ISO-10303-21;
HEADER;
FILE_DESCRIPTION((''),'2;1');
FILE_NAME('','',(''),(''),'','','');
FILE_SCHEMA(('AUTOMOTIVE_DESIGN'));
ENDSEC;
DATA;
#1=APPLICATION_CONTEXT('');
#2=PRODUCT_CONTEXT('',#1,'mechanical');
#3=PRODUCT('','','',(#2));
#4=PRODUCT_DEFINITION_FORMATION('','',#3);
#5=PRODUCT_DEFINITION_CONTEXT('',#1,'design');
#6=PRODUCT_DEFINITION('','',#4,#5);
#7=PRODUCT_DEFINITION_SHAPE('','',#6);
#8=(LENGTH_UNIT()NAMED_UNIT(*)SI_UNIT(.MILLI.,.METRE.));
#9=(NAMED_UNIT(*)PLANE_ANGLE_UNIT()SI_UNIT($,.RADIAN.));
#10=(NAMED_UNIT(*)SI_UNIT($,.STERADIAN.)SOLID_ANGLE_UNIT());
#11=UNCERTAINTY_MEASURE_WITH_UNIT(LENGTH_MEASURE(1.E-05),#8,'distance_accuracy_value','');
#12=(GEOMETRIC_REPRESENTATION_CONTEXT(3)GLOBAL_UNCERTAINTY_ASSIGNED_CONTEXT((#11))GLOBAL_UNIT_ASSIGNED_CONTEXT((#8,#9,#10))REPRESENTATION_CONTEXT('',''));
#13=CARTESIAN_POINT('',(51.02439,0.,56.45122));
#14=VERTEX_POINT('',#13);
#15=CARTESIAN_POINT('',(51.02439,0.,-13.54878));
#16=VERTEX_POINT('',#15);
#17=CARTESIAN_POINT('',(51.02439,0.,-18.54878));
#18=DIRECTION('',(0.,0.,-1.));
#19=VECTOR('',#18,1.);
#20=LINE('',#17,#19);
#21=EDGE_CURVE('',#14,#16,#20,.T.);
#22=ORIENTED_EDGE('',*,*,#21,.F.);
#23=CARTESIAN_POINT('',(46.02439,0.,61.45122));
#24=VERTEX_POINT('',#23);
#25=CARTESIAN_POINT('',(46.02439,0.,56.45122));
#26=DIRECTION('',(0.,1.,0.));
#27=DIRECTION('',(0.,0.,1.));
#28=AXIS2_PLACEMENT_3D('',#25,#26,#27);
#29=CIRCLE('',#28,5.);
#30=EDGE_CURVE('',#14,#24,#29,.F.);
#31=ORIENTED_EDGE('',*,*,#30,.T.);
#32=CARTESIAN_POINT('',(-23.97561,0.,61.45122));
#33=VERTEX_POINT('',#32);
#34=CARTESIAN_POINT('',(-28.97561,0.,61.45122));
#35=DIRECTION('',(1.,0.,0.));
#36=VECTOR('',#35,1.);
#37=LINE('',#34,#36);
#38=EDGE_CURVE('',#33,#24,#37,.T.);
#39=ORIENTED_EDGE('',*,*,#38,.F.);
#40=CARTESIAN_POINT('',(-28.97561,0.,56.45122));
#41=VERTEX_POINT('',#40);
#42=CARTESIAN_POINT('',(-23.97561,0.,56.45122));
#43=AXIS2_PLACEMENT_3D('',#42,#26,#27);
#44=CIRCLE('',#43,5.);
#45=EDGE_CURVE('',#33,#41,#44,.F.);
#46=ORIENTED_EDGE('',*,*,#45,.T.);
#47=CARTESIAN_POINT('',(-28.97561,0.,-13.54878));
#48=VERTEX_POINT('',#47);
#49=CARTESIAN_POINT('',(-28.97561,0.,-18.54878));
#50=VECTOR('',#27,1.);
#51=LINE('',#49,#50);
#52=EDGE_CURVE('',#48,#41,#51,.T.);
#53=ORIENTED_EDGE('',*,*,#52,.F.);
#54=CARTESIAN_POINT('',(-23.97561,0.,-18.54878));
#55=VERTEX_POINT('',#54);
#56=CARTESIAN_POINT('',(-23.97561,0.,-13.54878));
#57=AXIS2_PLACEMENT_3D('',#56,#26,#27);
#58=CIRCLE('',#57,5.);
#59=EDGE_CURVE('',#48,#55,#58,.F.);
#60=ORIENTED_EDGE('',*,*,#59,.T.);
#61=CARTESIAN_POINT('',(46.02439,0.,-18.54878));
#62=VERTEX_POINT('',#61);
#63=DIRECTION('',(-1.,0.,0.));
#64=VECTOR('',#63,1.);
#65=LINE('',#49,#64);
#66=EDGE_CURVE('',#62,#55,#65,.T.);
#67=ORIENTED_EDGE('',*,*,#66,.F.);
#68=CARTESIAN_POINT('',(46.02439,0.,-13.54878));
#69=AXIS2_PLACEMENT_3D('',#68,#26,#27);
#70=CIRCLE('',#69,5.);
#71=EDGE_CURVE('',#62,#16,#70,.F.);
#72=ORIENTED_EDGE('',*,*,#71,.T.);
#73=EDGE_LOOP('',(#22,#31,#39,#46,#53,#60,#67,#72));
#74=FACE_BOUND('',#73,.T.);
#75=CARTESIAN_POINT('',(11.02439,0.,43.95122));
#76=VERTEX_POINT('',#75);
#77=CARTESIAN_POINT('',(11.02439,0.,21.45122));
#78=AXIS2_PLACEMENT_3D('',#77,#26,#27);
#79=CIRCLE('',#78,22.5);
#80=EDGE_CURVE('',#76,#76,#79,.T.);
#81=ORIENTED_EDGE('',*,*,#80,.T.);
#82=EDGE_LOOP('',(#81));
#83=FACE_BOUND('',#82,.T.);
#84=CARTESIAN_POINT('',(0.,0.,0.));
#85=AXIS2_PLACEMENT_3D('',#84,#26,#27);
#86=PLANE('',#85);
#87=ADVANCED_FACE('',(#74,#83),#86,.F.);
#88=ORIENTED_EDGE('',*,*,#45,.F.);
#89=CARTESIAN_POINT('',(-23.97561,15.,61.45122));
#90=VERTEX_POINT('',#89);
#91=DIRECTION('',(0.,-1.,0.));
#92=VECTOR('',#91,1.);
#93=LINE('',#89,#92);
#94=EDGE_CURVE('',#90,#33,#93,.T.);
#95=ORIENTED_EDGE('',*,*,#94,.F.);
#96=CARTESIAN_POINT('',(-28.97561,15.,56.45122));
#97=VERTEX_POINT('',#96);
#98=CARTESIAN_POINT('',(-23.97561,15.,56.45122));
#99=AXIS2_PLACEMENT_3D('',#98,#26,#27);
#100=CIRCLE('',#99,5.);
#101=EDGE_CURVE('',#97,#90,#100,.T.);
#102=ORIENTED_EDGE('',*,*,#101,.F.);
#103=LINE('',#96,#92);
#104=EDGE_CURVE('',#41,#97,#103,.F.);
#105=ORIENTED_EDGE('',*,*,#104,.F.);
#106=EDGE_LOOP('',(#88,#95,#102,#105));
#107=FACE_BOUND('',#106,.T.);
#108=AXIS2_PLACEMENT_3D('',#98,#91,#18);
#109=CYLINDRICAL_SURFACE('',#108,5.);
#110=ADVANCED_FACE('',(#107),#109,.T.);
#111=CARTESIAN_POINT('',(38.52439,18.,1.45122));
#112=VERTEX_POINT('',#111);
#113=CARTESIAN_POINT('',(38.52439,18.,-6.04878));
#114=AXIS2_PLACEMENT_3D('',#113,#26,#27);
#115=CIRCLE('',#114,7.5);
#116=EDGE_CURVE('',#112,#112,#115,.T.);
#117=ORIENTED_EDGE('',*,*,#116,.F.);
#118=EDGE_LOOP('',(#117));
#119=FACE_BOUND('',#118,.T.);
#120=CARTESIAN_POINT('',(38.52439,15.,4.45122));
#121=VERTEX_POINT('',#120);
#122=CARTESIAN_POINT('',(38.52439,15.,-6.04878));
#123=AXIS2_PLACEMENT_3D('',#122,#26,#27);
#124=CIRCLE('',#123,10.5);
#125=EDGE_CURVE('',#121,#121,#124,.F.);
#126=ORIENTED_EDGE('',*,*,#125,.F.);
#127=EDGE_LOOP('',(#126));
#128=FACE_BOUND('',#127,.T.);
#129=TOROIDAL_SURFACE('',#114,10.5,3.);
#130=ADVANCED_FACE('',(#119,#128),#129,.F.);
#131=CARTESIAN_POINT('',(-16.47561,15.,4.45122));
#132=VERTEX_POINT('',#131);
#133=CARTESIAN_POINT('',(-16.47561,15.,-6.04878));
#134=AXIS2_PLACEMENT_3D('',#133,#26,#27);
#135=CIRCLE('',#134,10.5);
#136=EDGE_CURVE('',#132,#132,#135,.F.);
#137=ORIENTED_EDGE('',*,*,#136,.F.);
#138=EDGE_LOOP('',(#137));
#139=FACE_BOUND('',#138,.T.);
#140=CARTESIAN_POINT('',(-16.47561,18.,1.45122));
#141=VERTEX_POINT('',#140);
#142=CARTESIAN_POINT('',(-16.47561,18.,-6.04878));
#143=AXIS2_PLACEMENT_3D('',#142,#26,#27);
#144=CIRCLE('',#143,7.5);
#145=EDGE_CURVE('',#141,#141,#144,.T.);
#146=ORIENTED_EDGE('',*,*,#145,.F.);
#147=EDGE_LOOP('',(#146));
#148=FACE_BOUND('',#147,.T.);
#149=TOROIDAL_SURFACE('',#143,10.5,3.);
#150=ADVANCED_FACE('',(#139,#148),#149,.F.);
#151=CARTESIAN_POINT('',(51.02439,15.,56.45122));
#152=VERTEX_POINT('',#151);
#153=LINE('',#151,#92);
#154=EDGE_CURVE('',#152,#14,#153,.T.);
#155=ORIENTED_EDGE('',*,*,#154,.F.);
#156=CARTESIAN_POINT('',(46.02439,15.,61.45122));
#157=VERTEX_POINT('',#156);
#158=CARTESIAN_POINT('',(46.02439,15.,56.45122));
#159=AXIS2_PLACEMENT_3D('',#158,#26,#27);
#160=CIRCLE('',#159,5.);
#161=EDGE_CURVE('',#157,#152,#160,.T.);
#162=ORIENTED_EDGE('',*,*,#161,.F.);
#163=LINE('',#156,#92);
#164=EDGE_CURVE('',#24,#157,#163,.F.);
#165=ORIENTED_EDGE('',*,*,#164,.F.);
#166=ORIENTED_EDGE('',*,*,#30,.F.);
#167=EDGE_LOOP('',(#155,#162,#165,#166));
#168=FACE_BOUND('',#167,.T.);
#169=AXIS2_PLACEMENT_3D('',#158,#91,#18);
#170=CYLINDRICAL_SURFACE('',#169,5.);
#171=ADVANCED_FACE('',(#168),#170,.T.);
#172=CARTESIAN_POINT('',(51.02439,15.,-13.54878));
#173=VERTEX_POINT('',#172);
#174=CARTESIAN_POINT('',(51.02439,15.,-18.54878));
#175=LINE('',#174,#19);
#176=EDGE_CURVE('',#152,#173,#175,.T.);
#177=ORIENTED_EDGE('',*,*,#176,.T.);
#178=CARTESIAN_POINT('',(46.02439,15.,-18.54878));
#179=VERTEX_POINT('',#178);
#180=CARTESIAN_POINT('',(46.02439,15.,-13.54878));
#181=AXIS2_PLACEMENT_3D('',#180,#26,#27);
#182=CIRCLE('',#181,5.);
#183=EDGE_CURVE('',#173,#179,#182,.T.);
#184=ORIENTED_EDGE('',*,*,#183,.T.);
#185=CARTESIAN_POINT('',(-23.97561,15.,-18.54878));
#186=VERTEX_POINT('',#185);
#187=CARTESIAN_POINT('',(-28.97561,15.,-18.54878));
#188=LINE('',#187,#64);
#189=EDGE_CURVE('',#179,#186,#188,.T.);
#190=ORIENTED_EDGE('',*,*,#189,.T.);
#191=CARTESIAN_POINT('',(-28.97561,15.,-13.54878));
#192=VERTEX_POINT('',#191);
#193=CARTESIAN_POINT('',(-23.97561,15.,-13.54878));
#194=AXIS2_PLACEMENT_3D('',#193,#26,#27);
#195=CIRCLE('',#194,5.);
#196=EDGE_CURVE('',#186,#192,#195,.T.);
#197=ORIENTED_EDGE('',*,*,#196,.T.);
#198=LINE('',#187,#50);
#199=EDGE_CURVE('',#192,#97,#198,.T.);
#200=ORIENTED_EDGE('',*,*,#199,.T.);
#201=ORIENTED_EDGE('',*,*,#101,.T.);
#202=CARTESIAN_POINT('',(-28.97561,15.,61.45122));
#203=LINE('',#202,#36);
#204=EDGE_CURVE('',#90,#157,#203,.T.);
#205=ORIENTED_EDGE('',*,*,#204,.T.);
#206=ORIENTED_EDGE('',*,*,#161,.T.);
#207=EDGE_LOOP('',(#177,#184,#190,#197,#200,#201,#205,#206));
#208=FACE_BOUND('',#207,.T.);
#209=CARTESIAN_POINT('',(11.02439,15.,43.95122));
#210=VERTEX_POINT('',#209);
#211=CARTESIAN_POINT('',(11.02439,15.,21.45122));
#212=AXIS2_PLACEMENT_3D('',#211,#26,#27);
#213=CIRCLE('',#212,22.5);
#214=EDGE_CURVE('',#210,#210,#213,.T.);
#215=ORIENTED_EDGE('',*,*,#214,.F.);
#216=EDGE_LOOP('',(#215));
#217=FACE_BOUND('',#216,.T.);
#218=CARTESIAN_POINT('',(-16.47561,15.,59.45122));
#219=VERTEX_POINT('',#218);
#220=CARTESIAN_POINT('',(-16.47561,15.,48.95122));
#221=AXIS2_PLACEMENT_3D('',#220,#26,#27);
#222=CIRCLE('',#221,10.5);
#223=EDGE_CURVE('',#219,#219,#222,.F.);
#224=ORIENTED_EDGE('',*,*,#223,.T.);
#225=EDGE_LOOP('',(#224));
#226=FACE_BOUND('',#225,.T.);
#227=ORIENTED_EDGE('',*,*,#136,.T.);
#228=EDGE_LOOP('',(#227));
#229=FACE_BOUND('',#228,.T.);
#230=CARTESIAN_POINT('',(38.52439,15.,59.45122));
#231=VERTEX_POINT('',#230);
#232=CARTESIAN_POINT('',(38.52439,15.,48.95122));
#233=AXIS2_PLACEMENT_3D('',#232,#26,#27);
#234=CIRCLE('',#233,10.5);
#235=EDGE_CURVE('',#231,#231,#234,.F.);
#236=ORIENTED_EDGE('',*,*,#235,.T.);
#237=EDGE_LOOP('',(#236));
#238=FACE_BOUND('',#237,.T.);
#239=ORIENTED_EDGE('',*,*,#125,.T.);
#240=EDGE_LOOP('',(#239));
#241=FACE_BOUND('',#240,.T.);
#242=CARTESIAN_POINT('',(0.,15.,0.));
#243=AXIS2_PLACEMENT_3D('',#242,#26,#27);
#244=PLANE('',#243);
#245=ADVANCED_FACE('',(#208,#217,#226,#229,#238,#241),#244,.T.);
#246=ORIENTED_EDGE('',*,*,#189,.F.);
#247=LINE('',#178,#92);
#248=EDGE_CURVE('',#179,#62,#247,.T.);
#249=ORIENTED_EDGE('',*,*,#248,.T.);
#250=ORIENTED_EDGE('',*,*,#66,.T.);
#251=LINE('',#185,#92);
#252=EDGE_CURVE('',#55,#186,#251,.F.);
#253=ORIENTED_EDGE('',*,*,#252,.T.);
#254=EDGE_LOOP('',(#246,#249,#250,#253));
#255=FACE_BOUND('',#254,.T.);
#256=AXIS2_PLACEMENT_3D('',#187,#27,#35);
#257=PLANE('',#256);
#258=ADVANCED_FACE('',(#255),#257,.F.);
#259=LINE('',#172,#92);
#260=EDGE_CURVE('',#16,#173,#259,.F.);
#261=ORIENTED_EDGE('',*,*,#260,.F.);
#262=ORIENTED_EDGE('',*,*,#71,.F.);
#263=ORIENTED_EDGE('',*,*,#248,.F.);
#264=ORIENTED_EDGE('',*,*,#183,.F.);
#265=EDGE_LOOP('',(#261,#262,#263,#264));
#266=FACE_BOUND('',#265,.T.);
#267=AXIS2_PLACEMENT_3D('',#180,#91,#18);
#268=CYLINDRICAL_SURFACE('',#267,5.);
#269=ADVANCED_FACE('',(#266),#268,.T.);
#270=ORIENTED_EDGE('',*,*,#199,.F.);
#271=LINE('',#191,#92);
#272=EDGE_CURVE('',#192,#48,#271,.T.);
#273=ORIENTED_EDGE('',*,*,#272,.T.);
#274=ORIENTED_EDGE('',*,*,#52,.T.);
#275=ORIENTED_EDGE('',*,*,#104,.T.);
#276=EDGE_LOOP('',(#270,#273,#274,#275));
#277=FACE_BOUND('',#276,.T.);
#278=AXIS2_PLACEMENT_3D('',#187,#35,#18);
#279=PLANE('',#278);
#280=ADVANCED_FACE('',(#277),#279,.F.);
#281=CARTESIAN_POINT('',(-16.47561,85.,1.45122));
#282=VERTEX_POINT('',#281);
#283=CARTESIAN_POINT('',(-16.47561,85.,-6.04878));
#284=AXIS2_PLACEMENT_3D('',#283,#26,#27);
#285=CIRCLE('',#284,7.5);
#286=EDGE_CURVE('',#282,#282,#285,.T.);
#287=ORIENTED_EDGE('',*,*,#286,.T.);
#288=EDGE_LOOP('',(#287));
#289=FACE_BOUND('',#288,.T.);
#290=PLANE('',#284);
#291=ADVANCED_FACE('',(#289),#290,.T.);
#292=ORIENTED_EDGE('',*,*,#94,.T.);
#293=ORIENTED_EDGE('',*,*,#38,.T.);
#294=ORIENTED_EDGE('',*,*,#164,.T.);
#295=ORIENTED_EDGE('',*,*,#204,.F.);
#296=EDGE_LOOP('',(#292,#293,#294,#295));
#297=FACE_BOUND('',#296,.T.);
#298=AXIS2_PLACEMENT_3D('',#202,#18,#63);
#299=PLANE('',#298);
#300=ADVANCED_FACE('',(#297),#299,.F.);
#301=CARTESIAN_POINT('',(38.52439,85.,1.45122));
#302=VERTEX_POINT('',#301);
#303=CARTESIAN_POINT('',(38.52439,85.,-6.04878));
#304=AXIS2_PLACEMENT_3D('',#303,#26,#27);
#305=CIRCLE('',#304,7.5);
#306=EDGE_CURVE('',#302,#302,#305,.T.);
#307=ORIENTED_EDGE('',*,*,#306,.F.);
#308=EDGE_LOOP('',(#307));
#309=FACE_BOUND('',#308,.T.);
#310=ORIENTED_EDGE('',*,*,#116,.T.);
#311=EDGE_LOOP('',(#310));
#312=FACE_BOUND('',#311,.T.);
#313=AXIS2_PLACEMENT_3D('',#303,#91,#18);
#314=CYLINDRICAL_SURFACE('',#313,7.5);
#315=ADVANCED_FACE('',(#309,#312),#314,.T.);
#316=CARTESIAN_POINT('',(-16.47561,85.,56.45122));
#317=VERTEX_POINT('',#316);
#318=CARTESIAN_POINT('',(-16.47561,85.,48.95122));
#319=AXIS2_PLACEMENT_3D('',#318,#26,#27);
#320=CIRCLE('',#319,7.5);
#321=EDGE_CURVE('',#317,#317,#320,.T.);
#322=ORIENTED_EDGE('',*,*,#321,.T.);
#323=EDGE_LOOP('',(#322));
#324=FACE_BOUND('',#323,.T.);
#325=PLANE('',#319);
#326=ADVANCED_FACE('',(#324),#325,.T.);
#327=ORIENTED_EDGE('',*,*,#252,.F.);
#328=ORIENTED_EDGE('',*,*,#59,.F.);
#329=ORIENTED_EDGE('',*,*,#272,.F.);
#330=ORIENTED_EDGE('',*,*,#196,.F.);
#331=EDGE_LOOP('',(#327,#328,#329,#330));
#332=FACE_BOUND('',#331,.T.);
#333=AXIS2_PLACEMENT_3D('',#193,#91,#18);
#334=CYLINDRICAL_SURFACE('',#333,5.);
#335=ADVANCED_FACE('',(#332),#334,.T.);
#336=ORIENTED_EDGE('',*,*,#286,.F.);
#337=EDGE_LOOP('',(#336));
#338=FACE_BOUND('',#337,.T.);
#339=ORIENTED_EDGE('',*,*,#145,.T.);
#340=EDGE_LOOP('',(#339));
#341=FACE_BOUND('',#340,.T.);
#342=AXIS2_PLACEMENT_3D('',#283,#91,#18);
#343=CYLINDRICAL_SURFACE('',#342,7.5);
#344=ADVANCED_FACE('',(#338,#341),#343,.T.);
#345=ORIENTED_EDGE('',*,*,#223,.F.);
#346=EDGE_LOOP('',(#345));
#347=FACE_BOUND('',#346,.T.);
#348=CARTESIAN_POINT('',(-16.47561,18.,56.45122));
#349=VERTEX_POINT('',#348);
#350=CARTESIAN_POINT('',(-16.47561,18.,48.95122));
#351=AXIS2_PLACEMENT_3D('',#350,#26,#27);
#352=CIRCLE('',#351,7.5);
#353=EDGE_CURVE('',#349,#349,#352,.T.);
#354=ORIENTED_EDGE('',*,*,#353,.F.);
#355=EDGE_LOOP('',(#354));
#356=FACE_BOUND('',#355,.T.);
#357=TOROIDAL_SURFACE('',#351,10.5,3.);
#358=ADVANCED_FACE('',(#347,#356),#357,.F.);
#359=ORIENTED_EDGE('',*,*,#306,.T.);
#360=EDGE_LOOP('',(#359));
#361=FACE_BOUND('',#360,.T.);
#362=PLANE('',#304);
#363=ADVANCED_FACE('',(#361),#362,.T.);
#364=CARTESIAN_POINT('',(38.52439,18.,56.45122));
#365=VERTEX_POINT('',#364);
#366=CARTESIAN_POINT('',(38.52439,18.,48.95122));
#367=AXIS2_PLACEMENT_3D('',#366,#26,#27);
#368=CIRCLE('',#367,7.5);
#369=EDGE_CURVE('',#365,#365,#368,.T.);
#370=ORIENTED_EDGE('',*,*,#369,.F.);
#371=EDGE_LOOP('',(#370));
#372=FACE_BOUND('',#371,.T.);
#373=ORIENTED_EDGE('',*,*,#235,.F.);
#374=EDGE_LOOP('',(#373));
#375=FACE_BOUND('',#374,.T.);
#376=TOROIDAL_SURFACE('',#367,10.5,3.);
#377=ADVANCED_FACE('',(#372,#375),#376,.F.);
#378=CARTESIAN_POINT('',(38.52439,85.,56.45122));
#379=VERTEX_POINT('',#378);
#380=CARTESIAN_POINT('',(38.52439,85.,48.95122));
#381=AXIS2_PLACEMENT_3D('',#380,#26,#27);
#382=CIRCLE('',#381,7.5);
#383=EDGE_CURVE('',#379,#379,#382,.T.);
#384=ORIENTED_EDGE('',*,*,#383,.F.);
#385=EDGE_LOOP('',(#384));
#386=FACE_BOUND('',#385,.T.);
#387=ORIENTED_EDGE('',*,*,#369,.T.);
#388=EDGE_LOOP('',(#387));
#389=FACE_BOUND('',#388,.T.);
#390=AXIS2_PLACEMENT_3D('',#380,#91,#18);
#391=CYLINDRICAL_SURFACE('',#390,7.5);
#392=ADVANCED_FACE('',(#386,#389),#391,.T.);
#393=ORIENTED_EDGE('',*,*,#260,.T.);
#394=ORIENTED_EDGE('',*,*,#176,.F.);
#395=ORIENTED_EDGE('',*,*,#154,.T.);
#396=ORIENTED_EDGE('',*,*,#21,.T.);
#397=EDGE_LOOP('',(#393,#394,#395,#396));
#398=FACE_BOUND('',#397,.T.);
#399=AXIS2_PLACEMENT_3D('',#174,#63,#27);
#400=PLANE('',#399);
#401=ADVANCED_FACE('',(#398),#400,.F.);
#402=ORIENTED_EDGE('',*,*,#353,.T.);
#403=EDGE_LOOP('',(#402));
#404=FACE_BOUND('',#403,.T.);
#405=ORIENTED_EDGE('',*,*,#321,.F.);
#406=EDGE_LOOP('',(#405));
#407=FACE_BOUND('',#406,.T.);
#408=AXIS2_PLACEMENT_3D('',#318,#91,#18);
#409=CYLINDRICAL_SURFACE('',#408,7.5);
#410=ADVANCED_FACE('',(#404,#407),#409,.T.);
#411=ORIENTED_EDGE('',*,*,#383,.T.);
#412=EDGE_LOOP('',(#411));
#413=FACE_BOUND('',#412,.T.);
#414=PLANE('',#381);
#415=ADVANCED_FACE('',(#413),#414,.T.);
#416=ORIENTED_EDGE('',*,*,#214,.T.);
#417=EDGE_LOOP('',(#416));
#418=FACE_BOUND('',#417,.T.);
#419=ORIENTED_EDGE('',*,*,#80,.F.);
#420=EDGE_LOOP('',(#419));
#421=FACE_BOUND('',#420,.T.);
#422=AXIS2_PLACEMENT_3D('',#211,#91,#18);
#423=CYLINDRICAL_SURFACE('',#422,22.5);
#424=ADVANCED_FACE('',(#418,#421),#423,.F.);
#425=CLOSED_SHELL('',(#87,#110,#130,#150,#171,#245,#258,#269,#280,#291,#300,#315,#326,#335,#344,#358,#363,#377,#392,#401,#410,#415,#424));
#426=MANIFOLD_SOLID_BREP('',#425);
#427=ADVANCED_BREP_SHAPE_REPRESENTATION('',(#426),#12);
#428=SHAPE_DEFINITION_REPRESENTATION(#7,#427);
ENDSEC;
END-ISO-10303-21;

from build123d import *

# Parameters (mm, degrees)
SKETCH_1_W      = 80
SKETCH_1_H      = 80
SKETCH_1_R      = 22.5
EXTRUDE_1_DEPTH = 15
FILLET_1_R      = 5
SKETCH_2_R      = 7.5
EXTRUDE_2_DEPTH = 70
FILLET_2_R      = 3


with BuildPart() as part:
    # 草圖1 → 填料-伸長1 (new body)
    with BuildSketch(Plane(origin=(0, 0, 0), x_dir=(1, 0, 0), z_dir=(0, 1, 0))):
        with Locations((11.024390244, -21.451219512)):
            Rectangle(SKETCH_1_W, SKETCH_1_H)
        with Locations(Location((11.024390244, -21.451219512, 0), (0, 0, 270))):
            Circle(SKETCH_1_R, mode=Mode.SUBTRACT)
    extrude(amount=EXTRUDE_1_DEPTH)

    # 圓角1
    fillet_1_edges = [part.edges().sort_by_distance(p)[0] for p in [
        (-28.975609756, 7.5, -18.548780488),
        (51.024390244, 7.5, -18.548780488),
        (51.024390244, 7.5, 61.451219512),
        (-28.975609756, 7.5, 61.451219512),
    ]]
    fillet(fillet_1_edges, radius=FILLET_1_R)

    # 草圖2 → 填料-伸長2 (add)
    with BuildSketch(Plane(origin=(0, 15, 0), x_dir=(1, 0, 0), z_dir=(0, 1, 0))):
        with Locations(Location((-16.475609756, 6.048780488, 0), (0, 0, 270))):
            Circle(SKETCH_2_R)
        with Locations(Location((38.524390244, 6.048780488, 0), (0, 0, 270))):
            Circle(SKETCH_2_R)
        with Locations(Location((38.524390244, -48.951219512, 0), (0, 0, 270))):
            Circle(SKETCH_2_R)
        with Locations(Location((-16.475609756, -48.951219512, 0), (0, 0, 270))):
            Circle(SKETCH_2_R)
    extrude(amount=EXTRUDE_2_DEPTH)

    # 圓角2
    fillet_2_edges = [part.edges().sort_by_distance(p)[0] for p in [
        (-16.475609756, 15, -13.548780488),
        (38.524390244, 15, -13.548780488),
        (38.524390244, 15, 41.451219512),
        (-16.475609756, 15, 41.451219512),
    ]]
    fillet(fillet_2_edges, radius=FILLET_2_R)


solid = part.part
